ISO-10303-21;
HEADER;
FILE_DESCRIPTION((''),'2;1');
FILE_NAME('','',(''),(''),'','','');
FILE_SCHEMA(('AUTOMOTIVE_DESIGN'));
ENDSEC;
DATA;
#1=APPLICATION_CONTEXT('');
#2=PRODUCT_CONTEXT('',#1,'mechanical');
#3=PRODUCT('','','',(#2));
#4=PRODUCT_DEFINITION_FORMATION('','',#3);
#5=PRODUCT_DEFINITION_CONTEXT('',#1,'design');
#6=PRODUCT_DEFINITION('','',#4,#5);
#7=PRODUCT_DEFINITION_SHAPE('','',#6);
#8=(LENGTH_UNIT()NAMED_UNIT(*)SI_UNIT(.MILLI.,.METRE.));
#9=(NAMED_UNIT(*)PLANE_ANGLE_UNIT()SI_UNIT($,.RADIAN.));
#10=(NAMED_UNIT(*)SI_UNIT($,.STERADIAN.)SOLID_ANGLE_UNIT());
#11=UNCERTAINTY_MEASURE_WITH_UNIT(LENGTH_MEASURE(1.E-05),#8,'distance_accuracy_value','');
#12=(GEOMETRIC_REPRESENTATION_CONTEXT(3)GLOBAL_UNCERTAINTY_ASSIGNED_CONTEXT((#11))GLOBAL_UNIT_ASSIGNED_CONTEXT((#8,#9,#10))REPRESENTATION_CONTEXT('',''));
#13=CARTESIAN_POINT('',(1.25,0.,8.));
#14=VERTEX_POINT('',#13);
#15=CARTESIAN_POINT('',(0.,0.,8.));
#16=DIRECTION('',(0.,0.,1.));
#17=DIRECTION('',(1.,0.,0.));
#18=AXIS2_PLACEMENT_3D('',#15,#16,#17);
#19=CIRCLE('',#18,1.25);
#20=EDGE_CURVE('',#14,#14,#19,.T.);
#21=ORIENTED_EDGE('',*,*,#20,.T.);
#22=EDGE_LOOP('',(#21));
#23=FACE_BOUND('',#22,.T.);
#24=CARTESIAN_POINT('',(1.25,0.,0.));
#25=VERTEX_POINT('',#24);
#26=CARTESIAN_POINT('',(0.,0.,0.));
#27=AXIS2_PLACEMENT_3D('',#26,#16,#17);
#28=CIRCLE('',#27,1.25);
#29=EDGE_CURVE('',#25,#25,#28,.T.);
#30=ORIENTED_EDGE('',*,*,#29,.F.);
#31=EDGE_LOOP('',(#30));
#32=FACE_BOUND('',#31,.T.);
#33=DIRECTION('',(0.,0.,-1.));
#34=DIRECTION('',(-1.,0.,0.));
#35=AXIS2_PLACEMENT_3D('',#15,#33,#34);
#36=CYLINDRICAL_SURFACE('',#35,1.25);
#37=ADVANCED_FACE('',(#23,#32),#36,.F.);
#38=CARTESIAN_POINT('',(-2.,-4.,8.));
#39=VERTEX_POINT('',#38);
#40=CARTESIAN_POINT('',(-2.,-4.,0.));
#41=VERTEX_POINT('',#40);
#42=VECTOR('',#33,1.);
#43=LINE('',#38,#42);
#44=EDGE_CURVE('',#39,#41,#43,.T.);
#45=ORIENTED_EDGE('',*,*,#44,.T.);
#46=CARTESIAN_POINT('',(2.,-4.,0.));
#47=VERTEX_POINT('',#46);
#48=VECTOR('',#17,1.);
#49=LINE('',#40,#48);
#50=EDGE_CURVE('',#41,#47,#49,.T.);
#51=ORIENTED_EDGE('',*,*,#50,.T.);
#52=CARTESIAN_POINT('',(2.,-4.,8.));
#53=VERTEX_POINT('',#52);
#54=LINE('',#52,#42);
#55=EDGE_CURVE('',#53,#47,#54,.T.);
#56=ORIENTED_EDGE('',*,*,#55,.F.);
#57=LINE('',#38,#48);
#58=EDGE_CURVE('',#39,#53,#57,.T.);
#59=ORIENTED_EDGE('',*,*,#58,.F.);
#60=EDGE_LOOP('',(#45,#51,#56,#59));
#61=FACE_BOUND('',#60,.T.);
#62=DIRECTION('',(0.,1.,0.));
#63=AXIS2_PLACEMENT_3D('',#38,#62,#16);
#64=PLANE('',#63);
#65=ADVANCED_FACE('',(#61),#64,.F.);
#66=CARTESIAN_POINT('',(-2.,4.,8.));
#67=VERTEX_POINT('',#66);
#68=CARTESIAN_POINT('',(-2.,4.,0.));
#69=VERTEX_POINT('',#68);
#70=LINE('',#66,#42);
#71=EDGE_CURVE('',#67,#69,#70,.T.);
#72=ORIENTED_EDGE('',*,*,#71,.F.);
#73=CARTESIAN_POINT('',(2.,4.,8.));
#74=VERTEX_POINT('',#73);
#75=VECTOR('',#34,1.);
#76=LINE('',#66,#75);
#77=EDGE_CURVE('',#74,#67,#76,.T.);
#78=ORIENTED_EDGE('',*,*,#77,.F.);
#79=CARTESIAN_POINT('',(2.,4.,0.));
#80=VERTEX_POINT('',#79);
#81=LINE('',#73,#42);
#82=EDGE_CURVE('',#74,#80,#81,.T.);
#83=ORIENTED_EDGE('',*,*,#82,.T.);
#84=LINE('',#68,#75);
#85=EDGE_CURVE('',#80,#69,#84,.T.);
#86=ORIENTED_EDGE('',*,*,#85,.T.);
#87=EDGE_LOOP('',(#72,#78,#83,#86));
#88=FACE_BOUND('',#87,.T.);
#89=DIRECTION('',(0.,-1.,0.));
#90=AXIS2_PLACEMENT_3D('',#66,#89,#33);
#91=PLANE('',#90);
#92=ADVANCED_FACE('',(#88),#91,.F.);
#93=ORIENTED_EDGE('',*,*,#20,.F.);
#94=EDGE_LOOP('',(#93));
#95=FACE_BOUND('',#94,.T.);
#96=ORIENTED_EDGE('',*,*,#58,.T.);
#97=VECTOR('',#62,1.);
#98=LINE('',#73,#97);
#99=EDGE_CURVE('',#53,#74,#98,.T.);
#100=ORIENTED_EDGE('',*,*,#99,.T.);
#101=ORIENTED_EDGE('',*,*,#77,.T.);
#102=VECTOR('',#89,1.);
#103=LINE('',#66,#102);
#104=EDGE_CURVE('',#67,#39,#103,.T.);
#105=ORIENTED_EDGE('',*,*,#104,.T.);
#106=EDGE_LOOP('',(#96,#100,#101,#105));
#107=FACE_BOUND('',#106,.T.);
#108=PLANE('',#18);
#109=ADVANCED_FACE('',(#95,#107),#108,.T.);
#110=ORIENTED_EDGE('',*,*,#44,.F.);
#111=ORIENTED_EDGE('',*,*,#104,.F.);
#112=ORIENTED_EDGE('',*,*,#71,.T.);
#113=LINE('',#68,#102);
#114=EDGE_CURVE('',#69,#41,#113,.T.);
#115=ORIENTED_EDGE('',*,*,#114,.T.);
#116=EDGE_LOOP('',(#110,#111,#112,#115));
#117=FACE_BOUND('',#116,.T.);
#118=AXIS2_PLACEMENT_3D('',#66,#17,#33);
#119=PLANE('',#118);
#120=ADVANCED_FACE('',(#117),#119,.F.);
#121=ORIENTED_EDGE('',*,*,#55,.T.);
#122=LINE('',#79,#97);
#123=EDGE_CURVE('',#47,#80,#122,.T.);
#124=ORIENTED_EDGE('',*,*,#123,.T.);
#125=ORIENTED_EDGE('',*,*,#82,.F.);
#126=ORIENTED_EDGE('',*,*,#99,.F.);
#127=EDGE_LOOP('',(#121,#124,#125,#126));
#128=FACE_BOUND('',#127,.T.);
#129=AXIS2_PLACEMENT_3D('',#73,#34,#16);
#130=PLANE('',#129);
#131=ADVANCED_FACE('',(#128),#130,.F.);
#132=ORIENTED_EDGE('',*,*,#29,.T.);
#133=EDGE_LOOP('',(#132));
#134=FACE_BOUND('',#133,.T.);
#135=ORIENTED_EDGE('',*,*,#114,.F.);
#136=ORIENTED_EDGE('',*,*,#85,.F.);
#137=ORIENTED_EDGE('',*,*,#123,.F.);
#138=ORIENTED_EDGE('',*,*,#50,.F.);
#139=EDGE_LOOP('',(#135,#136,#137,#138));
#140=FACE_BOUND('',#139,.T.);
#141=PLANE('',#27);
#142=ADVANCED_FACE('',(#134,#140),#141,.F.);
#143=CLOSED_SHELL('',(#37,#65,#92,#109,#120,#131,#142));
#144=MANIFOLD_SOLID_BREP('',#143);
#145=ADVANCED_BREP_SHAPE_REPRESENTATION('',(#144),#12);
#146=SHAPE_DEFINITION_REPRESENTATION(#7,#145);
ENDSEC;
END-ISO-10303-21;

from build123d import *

# Parameters (mm, degrees)
SKETCH1_W           = 4
SKETCH1_H           = 8
SKETCH1_R           = 1.25
BOSS_EXTRUDE1_DEPTH = 8


with BuildPart() as part:
    # Sketch1 → Boss-Extrude1 (new body)
    with BuildSketch(Plane.XY):
        Rectangle(SKETCH1_W, SKETCH1_H)
        Circle(SKETCH1_R, mode=Mode.SUBTRACT)
    extrude(amount=BOSS_EXTRUDE1_DEPTH)


solid = part.part
